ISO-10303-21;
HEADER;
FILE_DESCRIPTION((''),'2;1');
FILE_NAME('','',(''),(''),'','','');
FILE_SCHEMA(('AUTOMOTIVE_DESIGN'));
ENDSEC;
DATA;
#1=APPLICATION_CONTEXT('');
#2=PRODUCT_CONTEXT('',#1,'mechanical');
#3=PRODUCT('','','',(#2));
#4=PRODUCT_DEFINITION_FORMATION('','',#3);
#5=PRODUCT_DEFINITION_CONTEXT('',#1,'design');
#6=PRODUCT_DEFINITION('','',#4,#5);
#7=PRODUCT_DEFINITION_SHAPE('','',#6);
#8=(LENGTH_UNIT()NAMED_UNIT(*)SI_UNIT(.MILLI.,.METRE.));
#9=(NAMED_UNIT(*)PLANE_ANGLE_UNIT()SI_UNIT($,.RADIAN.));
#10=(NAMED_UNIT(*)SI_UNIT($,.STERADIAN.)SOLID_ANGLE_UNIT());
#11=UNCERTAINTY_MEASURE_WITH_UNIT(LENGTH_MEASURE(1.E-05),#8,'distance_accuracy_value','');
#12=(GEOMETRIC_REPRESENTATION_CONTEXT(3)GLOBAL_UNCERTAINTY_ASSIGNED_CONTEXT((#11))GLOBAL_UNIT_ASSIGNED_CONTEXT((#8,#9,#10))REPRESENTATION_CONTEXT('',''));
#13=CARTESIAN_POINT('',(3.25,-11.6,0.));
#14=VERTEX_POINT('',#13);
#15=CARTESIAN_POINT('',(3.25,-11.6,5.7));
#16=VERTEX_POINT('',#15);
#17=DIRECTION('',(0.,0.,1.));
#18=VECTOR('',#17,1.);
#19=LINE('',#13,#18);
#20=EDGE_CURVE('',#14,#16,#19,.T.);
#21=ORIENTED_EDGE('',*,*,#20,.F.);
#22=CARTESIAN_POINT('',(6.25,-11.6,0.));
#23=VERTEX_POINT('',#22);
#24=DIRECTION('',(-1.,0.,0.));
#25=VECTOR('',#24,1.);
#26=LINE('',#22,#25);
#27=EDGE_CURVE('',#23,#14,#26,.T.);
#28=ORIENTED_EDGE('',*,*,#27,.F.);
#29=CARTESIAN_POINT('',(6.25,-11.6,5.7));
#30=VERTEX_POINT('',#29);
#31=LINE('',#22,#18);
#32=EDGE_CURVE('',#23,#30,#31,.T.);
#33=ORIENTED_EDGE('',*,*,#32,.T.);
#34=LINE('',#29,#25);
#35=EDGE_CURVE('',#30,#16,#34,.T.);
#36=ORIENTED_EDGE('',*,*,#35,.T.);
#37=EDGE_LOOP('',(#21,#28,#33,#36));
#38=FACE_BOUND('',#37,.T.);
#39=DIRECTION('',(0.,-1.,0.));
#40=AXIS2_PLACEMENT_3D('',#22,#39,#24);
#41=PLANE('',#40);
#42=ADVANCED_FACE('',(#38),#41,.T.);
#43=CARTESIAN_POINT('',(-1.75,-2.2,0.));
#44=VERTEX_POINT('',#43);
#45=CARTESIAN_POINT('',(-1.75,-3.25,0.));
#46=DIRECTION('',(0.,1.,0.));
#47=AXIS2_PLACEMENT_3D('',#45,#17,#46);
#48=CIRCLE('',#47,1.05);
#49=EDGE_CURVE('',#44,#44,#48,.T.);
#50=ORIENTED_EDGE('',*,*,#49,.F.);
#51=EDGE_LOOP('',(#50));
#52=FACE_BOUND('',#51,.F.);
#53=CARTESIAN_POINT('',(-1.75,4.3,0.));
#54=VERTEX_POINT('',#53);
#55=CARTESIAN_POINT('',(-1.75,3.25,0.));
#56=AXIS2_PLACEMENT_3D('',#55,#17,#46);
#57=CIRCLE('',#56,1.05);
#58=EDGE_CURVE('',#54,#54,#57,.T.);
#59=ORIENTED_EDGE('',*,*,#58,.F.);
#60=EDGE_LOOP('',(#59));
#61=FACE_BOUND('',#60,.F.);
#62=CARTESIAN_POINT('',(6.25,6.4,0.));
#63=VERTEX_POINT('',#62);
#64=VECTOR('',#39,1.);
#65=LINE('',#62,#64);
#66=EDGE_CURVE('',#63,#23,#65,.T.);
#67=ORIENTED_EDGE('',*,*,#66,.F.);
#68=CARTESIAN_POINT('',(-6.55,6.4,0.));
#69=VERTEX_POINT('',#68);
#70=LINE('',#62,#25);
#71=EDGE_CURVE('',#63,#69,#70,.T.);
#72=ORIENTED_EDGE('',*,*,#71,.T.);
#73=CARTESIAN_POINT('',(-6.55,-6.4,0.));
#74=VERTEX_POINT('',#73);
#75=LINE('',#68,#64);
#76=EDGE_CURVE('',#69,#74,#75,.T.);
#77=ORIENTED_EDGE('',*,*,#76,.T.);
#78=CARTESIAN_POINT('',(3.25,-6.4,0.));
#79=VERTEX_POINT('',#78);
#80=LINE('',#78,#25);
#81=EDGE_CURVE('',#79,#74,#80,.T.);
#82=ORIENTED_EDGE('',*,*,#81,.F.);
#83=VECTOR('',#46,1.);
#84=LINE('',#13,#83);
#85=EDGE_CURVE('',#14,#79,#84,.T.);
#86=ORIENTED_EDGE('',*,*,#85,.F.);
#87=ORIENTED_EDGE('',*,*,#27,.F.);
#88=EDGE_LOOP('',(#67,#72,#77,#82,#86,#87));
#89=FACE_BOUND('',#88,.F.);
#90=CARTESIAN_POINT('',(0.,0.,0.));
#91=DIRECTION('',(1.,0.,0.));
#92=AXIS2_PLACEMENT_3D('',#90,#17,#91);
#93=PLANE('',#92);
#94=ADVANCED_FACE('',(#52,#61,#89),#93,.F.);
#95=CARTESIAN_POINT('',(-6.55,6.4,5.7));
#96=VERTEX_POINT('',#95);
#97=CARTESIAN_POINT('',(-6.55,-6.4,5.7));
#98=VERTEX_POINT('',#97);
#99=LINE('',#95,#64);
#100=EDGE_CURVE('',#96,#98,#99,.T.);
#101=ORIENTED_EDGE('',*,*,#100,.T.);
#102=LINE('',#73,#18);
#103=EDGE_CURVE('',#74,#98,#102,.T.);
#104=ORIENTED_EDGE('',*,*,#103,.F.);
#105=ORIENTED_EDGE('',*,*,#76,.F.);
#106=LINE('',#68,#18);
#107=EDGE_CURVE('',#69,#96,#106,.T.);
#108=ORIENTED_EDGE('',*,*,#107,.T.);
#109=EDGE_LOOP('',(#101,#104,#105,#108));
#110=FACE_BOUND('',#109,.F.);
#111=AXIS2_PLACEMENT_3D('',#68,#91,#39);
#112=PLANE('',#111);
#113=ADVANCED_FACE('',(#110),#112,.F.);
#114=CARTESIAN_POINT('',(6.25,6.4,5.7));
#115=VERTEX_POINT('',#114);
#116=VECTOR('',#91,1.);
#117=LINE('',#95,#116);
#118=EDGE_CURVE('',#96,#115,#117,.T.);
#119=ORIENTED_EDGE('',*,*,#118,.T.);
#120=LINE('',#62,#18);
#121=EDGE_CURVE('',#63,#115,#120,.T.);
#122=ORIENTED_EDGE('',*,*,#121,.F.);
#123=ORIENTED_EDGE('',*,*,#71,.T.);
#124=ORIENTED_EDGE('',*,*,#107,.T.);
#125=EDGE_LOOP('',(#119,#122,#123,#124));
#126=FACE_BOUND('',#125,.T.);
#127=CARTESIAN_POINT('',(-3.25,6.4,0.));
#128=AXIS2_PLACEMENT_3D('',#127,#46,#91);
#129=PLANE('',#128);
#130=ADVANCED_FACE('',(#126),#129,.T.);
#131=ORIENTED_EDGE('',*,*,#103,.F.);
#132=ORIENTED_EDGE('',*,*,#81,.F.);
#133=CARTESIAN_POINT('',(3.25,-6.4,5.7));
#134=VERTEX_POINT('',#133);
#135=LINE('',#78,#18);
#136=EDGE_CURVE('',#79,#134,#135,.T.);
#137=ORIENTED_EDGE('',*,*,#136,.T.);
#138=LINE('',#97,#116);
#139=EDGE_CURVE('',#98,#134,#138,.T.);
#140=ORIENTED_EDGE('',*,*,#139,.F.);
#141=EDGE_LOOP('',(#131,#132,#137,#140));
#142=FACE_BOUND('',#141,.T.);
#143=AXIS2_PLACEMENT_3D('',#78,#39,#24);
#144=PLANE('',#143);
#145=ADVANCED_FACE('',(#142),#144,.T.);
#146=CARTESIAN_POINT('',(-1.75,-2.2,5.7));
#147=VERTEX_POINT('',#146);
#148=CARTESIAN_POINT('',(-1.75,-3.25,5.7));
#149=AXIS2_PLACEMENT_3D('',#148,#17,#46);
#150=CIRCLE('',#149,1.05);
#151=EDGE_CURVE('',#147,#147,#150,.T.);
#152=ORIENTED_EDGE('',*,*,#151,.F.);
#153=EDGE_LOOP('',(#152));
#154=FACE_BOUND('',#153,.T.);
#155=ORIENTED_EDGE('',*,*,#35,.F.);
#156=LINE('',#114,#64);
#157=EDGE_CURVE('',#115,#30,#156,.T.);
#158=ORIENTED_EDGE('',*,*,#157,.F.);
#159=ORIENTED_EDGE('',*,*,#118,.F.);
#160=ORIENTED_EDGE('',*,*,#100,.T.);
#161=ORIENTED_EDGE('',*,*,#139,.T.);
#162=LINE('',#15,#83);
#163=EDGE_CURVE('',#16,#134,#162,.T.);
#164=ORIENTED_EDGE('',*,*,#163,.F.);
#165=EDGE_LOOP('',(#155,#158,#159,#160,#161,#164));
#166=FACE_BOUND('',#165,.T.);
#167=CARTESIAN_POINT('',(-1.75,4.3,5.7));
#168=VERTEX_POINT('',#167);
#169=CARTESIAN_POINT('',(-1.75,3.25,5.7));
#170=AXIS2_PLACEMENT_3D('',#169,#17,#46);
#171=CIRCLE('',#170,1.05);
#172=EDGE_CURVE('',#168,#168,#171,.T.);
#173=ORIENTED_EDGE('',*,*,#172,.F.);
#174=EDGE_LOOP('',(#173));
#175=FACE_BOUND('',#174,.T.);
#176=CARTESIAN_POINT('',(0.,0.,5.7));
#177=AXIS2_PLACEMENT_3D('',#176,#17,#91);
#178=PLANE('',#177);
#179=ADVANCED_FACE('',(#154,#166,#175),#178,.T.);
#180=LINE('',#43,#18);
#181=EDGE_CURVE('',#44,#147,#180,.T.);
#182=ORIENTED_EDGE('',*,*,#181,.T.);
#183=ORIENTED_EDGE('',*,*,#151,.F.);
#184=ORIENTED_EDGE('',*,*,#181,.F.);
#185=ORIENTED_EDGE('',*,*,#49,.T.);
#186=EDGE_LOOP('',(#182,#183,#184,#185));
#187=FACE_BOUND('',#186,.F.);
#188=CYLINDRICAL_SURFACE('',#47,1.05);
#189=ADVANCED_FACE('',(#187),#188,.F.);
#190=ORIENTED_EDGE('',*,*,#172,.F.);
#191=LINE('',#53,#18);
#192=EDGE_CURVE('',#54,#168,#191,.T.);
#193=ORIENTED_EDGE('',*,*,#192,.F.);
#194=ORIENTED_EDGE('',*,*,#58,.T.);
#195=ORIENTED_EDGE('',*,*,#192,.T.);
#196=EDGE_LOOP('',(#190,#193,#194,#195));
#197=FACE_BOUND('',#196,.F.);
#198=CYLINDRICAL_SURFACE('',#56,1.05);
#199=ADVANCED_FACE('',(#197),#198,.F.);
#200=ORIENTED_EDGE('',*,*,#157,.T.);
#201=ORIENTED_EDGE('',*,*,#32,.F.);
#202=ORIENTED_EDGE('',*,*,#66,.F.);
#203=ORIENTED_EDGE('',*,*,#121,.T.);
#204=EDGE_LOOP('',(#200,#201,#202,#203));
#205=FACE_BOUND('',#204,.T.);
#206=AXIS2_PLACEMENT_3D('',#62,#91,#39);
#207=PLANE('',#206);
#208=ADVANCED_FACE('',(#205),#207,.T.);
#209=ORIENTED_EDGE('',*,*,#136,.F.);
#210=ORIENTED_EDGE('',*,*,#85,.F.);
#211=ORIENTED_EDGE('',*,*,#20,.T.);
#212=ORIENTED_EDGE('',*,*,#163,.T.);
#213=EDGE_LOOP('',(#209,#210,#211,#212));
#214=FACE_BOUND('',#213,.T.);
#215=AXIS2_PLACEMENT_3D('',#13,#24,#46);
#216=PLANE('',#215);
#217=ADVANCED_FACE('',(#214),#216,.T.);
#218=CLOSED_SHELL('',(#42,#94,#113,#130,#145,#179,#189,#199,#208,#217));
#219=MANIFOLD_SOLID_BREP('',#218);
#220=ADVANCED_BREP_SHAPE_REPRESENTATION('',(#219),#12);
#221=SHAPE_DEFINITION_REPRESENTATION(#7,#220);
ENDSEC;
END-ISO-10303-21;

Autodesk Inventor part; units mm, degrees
ref_plane "YZ Plane" through (0, 0, 0) normal (1, 0, 0) x (0, 1, 0)
ref_plane "XZ Plane" through (0, 0, 0) normal (0, 1, 0) x (-1, 0, 0)
ref_plane "XY Plane" through (0, 0, 0) normal (0, 0, 1) x (1, 0, 0)
sketch "Sketch1" plane through (0, 0, 0) normal (0, 0, 1) x (1, 0, 0)
  line L0 (-3.25, 6.4) -> (3.25, 6.4)
  line L1 (3.25, 6.4) -> (3.25, -6.4)
  line L2 (3.25, -6.4) -> (-3.25, -6.4)
  line L3 (-3.25, -6.4) -> (-3.25, 6.4)
  line L4 (-3.25, 6.4) -> (3.25, -6.4) construction
  line L5 (3.25, 6.4) -> (-3.25, -6.4) construction
  line L6 (3.25, -6.4) -> (3.25, 6.4)
  line L7 (3.25, 6.4) -> (6.25, 6.4)
  line L8 (6.25, 6.4) -> (6.25, -11.6)
  line L9 (6.25, -11.6) -> (3.25, -11.6)
  line L10 (3.25, -11.6) -> (3.25, 6.4)
  line L11 (-3.25, 6.4) -> (-6.55, 6.4)
  line L12 (-6.55, 6.4) -> (-6.55, -6.4)
  line L13 (-6.55, -6.4) -> (-3.25, -6.4)
  line L14 (-3.25, -6.4) -> (-3.25, 6.4)
  line L15 (3.25, 0) -> (-3.25, 0) construction
  point P0 (0, 0)
  point P1 (-1.75, -3.25)
  point P2 (-1.75, 3.25)
  dimension "d0" = 6.5
  dimension "d5" = 12.8
  dimension "d6" = 18
  dimension "d7" = 9.5
  dimension "d8" = 3.3
  dimension "d13" = 6.5
  dimension "d14" = 1.5
extrude "Extrusion1" add sketch "Sketch1" along normal blind 5.7
hole "Hole1" at (-1.75, -3.25, 0) at (-1.75, 3.25, 0) direction (0, 0, 1) diameter 2.1 end through all
properties part number "Endstop"
